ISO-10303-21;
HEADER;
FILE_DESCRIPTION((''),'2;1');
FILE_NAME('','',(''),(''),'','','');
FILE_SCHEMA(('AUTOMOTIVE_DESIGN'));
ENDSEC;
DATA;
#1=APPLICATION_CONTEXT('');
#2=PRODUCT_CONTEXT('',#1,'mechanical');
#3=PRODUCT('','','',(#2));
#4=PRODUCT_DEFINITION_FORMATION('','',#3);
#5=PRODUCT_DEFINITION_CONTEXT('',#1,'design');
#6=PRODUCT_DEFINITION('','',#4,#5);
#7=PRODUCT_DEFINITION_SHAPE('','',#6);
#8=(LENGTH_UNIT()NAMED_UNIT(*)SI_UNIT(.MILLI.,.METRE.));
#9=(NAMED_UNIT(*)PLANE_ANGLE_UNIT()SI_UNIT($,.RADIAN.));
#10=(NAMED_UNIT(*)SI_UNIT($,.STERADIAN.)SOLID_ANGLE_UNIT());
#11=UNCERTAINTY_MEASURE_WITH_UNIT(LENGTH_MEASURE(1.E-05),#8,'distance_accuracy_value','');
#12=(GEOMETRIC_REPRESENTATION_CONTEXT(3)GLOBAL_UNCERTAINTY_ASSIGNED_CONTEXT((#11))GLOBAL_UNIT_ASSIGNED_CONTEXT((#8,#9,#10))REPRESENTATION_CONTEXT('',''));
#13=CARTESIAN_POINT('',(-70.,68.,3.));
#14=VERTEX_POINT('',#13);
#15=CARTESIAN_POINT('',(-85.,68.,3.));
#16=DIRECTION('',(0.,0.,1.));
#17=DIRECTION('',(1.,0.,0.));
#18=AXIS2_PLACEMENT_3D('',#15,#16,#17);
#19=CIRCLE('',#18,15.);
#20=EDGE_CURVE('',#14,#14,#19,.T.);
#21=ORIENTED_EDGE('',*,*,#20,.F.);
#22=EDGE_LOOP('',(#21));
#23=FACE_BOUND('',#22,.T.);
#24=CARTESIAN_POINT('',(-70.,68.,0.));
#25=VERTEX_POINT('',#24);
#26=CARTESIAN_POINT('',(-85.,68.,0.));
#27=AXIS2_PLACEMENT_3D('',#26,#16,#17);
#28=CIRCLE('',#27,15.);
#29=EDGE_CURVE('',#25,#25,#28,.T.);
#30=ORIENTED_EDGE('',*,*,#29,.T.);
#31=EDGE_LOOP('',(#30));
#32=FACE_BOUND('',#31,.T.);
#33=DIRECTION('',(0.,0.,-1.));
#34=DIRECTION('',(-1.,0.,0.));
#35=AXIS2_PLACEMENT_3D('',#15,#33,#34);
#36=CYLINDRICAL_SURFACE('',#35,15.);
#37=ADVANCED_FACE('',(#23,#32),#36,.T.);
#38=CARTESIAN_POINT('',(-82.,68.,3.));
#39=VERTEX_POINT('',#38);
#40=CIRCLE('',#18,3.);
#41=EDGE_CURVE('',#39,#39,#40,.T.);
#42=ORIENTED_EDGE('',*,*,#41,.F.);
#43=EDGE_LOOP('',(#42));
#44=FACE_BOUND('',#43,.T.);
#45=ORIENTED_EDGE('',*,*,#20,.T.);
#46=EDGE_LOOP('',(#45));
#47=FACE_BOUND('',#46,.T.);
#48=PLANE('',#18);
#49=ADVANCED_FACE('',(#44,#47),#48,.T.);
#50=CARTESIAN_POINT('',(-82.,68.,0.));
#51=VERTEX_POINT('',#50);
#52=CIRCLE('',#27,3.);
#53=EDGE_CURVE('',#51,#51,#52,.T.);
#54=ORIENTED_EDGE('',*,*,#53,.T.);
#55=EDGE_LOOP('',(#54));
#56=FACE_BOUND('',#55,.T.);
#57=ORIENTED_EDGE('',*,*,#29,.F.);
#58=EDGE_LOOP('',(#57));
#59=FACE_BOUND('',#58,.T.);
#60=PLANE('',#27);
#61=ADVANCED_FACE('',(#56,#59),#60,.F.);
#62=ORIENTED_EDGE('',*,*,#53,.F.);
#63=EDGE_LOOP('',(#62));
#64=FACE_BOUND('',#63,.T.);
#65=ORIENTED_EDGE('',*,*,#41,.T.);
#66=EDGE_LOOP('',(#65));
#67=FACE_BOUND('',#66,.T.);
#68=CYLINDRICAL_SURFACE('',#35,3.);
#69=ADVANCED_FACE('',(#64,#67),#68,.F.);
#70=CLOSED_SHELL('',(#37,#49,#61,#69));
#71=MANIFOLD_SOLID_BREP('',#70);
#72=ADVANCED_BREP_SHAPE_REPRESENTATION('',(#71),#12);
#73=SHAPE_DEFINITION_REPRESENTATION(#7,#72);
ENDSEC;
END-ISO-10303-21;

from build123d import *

# Parameters (mm, degrees)
SKETCH1_R           = 15
SKETCH1_R_2         = 3
BOSS_EXTRUDE1_DEPTH = 3


with BuildPart() as part:
    # Sketch1 → Boss-Extrude1 (new body)
    with BuildSketch(Plane.XY):
        with Locations((-85, 68)):
            Circle(SKETCH1_R)
        with Locations((-85, 68)):
            Circle(SKETCH1_R_2, mode=Mode.SUBTRACT)
    extrude(amount=BOSS_EXTRUDE1_DEPTH)


solid = part.part
